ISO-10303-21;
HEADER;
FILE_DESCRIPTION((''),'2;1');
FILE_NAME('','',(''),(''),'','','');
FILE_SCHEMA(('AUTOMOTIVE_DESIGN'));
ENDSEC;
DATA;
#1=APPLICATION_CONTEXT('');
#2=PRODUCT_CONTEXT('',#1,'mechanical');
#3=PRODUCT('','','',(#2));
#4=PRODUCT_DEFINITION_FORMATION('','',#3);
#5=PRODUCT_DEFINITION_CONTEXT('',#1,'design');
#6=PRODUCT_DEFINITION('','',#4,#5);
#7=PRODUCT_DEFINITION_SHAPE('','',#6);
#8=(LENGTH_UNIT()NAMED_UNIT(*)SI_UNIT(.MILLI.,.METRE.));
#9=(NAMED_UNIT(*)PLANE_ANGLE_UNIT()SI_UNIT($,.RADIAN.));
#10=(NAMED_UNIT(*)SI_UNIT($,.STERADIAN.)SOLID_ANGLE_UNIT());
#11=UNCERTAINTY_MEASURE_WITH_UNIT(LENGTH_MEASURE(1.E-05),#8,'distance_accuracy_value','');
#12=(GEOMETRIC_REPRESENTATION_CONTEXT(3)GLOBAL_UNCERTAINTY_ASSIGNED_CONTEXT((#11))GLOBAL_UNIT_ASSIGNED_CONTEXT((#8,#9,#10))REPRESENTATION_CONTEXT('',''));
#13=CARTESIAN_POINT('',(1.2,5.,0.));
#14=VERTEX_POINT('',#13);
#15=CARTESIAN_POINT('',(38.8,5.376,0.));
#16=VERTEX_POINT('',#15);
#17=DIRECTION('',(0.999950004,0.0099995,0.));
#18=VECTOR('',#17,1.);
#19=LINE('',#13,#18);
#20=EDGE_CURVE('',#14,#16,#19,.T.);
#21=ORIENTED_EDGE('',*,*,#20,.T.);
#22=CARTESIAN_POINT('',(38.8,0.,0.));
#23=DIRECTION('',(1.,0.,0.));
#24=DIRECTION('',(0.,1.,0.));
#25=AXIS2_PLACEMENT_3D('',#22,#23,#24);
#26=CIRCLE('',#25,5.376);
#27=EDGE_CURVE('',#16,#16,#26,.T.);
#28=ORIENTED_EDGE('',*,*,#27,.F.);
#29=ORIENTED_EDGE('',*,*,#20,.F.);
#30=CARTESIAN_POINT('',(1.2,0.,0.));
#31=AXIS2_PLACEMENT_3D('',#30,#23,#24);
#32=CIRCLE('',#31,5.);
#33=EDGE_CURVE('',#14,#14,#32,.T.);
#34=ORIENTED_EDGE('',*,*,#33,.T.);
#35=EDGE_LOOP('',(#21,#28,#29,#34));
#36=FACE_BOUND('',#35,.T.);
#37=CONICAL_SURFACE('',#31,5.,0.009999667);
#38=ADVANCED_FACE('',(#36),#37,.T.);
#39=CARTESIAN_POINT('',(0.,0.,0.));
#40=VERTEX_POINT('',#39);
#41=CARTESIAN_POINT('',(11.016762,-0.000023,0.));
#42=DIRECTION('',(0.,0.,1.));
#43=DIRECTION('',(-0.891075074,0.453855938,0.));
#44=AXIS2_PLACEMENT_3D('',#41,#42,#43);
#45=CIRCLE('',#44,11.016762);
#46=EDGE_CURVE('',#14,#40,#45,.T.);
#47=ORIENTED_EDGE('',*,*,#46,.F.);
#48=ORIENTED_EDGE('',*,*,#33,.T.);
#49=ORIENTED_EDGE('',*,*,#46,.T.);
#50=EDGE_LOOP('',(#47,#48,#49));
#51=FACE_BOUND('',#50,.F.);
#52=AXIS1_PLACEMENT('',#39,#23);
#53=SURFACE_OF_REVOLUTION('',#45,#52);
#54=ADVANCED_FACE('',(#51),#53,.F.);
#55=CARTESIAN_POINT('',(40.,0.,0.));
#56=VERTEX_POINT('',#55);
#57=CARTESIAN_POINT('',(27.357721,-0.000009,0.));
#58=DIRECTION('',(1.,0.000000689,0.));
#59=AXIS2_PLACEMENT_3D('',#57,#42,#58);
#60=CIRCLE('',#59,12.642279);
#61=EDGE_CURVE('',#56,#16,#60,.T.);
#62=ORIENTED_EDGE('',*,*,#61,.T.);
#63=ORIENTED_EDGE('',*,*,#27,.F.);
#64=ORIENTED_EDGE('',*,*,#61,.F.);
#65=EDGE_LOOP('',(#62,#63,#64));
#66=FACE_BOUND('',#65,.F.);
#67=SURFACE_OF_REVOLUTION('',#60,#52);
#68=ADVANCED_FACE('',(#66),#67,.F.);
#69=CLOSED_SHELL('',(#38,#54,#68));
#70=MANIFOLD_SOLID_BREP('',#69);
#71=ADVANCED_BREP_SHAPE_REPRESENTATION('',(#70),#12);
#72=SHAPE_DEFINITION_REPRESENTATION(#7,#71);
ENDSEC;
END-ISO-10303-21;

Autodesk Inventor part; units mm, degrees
ref_plane "YZ Plane" through (0, 0, 0) normal (1, 0, 0) x (0, 1, 0)
ref_plane "XZ Plane" through (0, 0, 0) normal (0, 1, 0) x (-1, 0, 0)
ref_plane "XY Plane" through (0, 0, 0) normal (0, 0, 1) x (1, 0, 0)
sketch "草图1" plane through (0, 0, 0) normal (0, 0, 1) x (1, 0, 0)
  line L0 (0, 0) -> (40, 0)
  line L1 (1.2, 5) -> (38.8, 5.376)
  arc A0 (1.2, 5) -> (0, 0) centre (11.0167, 0) ccw
  arc A1 (40, 0) -> (38.8, 5.376) centre (27.3578, 0) ccw
  dimension "d0" = 40
  dimension "d1" = 1.2
  dimension "d2" = 1.2
  dimension "d3" = 10
  dimension "d5" = 10.752
revolve "轴承体" add sketch "草图1" angle 360 about axis through (0, 0, 0) along (1, 0, 0)
equation "\"d0\" = NLG"
equation "\"d1\" = KAH"
equation "\"d2\" = KAH"
equation "\"d3\" = NND"
equation "\"NND\" = 10"
equation "\"NLG\" = 40"
equation "\"KAH\" = 1.2"
equation "\"NLG1\" = 37.6"
equation "\"d35\" = KAH"
equation "\"d36\" = KAH"
properties part number "锥形销 GB/T 117 A 10 x 40" material "钢，软"
